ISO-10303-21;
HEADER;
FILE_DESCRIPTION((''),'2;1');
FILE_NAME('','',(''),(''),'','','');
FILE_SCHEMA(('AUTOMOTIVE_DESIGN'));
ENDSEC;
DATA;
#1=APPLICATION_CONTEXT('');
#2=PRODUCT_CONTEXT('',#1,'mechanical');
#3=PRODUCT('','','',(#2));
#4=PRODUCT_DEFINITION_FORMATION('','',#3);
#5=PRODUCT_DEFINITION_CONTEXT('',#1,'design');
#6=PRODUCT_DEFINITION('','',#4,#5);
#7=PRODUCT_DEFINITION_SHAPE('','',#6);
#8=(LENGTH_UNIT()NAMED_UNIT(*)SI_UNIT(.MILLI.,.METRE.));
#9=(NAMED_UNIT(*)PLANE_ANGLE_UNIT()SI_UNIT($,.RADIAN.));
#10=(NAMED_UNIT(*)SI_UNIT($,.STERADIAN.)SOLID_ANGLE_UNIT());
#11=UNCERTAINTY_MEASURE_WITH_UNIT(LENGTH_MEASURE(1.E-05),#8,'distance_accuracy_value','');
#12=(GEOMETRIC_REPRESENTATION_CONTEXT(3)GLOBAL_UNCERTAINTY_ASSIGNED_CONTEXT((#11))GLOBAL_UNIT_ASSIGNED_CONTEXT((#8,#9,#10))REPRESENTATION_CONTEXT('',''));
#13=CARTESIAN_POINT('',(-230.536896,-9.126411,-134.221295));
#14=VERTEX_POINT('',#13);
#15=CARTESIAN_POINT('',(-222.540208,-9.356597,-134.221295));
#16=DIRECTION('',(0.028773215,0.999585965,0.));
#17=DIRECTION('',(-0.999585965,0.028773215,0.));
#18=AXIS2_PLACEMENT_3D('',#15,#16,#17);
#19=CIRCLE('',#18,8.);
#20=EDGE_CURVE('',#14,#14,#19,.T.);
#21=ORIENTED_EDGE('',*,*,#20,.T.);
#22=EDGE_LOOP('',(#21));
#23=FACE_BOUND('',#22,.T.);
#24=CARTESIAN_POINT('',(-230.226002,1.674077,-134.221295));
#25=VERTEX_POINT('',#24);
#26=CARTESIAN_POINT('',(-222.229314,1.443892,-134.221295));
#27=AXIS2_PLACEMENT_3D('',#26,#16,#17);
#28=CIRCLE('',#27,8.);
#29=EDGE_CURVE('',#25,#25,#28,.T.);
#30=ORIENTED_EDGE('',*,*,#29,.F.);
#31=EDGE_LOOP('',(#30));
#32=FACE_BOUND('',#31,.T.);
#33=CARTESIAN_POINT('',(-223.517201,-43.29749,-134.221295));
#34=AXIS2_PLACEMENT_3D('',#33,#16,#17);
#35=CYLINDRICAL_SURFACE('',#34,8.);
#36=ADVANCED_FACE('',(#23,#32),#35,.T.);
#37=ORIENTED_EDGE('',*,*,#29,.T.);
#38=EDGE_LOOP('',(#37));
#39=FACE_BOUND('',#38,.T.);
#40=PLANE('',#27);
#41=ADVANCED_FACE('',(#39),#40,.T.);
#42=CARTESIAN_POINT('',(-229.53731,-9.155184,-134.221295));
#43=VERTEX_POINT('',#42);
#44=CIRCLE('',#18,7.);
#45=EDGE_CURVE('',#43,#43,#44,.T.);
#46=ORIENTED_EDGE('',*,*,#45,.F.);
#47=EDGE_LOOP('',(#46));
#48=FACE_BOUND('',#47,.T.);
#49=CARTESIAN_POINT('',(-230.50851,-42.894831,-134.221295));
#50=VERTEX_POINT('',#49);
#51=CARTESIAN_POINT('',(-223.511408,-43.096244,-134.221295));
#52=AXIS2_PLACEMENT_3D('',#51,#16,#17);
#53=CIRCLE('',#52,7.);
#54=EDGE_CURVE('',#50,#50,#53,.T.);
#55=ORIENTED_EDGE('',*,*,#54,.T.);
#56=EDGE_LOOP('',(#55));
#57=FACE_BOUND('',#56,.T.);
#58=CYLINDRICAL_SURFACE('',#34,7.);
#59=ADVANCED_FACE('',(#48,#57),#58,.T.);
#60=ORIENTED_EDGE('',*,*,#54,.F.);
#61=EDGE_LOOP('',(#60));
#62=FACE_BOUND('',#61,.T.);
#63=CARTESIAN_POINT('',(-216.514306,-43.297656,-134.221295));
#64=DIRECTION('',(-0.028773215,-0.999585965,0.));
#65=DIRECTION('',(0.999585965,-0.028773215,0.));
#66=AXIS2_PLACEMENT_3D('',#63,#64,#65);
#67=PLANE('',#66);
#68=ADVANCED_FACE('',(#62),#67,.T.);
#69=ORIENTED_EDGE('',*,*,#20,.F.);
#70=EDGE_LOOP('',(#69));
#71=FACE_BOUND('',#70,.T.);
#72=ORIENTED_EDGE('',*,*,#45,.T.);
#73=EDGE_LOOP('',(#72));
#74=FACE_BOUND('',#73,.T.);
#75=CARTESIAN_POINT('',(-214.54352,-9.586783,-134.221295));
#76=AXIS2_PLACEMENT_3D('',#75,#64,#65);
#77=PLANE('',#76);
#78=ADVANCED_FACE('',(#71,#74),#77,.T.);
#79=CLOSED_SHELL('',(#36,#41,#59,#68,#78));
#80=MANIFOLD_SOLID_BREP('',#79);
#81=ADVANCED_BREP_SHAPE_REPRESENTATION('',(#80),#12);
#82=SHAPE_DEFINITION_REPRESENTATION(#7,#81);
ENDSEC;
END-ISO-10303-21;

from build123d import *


with BuildPart() as part:
    # Esquisse1 → Révolution1 (revolve)
    with BuildSketch(Plane(origin=(0, 0, -134.221294922), x_dir=(-1, 0, 0), z_dir=(0, 0, -1)), mode=Mode.PRIVATE) as r_volution1_sk:
        Polygon((216.514306422, -43.297656342), (223.511408179, -43.096243837), (222.229314455, 1.443891658), (214.232626732, 1.213705938), (214.543520229, -9.586782525), (215.543106194, -9.55800931), align=None)
    revolve(r_volution1_sk.sketch.rotate(Axis((-223.517201065, -43.297489593, -134.221294922), (0.0287732149581037, 0.9995859653381368, 0)), 180), axis=Axis((-223.517201065, -43.297489593, -134.221294922), (0.0287732149581037, 0.9995859653381368, 0)))


solid = part.part
